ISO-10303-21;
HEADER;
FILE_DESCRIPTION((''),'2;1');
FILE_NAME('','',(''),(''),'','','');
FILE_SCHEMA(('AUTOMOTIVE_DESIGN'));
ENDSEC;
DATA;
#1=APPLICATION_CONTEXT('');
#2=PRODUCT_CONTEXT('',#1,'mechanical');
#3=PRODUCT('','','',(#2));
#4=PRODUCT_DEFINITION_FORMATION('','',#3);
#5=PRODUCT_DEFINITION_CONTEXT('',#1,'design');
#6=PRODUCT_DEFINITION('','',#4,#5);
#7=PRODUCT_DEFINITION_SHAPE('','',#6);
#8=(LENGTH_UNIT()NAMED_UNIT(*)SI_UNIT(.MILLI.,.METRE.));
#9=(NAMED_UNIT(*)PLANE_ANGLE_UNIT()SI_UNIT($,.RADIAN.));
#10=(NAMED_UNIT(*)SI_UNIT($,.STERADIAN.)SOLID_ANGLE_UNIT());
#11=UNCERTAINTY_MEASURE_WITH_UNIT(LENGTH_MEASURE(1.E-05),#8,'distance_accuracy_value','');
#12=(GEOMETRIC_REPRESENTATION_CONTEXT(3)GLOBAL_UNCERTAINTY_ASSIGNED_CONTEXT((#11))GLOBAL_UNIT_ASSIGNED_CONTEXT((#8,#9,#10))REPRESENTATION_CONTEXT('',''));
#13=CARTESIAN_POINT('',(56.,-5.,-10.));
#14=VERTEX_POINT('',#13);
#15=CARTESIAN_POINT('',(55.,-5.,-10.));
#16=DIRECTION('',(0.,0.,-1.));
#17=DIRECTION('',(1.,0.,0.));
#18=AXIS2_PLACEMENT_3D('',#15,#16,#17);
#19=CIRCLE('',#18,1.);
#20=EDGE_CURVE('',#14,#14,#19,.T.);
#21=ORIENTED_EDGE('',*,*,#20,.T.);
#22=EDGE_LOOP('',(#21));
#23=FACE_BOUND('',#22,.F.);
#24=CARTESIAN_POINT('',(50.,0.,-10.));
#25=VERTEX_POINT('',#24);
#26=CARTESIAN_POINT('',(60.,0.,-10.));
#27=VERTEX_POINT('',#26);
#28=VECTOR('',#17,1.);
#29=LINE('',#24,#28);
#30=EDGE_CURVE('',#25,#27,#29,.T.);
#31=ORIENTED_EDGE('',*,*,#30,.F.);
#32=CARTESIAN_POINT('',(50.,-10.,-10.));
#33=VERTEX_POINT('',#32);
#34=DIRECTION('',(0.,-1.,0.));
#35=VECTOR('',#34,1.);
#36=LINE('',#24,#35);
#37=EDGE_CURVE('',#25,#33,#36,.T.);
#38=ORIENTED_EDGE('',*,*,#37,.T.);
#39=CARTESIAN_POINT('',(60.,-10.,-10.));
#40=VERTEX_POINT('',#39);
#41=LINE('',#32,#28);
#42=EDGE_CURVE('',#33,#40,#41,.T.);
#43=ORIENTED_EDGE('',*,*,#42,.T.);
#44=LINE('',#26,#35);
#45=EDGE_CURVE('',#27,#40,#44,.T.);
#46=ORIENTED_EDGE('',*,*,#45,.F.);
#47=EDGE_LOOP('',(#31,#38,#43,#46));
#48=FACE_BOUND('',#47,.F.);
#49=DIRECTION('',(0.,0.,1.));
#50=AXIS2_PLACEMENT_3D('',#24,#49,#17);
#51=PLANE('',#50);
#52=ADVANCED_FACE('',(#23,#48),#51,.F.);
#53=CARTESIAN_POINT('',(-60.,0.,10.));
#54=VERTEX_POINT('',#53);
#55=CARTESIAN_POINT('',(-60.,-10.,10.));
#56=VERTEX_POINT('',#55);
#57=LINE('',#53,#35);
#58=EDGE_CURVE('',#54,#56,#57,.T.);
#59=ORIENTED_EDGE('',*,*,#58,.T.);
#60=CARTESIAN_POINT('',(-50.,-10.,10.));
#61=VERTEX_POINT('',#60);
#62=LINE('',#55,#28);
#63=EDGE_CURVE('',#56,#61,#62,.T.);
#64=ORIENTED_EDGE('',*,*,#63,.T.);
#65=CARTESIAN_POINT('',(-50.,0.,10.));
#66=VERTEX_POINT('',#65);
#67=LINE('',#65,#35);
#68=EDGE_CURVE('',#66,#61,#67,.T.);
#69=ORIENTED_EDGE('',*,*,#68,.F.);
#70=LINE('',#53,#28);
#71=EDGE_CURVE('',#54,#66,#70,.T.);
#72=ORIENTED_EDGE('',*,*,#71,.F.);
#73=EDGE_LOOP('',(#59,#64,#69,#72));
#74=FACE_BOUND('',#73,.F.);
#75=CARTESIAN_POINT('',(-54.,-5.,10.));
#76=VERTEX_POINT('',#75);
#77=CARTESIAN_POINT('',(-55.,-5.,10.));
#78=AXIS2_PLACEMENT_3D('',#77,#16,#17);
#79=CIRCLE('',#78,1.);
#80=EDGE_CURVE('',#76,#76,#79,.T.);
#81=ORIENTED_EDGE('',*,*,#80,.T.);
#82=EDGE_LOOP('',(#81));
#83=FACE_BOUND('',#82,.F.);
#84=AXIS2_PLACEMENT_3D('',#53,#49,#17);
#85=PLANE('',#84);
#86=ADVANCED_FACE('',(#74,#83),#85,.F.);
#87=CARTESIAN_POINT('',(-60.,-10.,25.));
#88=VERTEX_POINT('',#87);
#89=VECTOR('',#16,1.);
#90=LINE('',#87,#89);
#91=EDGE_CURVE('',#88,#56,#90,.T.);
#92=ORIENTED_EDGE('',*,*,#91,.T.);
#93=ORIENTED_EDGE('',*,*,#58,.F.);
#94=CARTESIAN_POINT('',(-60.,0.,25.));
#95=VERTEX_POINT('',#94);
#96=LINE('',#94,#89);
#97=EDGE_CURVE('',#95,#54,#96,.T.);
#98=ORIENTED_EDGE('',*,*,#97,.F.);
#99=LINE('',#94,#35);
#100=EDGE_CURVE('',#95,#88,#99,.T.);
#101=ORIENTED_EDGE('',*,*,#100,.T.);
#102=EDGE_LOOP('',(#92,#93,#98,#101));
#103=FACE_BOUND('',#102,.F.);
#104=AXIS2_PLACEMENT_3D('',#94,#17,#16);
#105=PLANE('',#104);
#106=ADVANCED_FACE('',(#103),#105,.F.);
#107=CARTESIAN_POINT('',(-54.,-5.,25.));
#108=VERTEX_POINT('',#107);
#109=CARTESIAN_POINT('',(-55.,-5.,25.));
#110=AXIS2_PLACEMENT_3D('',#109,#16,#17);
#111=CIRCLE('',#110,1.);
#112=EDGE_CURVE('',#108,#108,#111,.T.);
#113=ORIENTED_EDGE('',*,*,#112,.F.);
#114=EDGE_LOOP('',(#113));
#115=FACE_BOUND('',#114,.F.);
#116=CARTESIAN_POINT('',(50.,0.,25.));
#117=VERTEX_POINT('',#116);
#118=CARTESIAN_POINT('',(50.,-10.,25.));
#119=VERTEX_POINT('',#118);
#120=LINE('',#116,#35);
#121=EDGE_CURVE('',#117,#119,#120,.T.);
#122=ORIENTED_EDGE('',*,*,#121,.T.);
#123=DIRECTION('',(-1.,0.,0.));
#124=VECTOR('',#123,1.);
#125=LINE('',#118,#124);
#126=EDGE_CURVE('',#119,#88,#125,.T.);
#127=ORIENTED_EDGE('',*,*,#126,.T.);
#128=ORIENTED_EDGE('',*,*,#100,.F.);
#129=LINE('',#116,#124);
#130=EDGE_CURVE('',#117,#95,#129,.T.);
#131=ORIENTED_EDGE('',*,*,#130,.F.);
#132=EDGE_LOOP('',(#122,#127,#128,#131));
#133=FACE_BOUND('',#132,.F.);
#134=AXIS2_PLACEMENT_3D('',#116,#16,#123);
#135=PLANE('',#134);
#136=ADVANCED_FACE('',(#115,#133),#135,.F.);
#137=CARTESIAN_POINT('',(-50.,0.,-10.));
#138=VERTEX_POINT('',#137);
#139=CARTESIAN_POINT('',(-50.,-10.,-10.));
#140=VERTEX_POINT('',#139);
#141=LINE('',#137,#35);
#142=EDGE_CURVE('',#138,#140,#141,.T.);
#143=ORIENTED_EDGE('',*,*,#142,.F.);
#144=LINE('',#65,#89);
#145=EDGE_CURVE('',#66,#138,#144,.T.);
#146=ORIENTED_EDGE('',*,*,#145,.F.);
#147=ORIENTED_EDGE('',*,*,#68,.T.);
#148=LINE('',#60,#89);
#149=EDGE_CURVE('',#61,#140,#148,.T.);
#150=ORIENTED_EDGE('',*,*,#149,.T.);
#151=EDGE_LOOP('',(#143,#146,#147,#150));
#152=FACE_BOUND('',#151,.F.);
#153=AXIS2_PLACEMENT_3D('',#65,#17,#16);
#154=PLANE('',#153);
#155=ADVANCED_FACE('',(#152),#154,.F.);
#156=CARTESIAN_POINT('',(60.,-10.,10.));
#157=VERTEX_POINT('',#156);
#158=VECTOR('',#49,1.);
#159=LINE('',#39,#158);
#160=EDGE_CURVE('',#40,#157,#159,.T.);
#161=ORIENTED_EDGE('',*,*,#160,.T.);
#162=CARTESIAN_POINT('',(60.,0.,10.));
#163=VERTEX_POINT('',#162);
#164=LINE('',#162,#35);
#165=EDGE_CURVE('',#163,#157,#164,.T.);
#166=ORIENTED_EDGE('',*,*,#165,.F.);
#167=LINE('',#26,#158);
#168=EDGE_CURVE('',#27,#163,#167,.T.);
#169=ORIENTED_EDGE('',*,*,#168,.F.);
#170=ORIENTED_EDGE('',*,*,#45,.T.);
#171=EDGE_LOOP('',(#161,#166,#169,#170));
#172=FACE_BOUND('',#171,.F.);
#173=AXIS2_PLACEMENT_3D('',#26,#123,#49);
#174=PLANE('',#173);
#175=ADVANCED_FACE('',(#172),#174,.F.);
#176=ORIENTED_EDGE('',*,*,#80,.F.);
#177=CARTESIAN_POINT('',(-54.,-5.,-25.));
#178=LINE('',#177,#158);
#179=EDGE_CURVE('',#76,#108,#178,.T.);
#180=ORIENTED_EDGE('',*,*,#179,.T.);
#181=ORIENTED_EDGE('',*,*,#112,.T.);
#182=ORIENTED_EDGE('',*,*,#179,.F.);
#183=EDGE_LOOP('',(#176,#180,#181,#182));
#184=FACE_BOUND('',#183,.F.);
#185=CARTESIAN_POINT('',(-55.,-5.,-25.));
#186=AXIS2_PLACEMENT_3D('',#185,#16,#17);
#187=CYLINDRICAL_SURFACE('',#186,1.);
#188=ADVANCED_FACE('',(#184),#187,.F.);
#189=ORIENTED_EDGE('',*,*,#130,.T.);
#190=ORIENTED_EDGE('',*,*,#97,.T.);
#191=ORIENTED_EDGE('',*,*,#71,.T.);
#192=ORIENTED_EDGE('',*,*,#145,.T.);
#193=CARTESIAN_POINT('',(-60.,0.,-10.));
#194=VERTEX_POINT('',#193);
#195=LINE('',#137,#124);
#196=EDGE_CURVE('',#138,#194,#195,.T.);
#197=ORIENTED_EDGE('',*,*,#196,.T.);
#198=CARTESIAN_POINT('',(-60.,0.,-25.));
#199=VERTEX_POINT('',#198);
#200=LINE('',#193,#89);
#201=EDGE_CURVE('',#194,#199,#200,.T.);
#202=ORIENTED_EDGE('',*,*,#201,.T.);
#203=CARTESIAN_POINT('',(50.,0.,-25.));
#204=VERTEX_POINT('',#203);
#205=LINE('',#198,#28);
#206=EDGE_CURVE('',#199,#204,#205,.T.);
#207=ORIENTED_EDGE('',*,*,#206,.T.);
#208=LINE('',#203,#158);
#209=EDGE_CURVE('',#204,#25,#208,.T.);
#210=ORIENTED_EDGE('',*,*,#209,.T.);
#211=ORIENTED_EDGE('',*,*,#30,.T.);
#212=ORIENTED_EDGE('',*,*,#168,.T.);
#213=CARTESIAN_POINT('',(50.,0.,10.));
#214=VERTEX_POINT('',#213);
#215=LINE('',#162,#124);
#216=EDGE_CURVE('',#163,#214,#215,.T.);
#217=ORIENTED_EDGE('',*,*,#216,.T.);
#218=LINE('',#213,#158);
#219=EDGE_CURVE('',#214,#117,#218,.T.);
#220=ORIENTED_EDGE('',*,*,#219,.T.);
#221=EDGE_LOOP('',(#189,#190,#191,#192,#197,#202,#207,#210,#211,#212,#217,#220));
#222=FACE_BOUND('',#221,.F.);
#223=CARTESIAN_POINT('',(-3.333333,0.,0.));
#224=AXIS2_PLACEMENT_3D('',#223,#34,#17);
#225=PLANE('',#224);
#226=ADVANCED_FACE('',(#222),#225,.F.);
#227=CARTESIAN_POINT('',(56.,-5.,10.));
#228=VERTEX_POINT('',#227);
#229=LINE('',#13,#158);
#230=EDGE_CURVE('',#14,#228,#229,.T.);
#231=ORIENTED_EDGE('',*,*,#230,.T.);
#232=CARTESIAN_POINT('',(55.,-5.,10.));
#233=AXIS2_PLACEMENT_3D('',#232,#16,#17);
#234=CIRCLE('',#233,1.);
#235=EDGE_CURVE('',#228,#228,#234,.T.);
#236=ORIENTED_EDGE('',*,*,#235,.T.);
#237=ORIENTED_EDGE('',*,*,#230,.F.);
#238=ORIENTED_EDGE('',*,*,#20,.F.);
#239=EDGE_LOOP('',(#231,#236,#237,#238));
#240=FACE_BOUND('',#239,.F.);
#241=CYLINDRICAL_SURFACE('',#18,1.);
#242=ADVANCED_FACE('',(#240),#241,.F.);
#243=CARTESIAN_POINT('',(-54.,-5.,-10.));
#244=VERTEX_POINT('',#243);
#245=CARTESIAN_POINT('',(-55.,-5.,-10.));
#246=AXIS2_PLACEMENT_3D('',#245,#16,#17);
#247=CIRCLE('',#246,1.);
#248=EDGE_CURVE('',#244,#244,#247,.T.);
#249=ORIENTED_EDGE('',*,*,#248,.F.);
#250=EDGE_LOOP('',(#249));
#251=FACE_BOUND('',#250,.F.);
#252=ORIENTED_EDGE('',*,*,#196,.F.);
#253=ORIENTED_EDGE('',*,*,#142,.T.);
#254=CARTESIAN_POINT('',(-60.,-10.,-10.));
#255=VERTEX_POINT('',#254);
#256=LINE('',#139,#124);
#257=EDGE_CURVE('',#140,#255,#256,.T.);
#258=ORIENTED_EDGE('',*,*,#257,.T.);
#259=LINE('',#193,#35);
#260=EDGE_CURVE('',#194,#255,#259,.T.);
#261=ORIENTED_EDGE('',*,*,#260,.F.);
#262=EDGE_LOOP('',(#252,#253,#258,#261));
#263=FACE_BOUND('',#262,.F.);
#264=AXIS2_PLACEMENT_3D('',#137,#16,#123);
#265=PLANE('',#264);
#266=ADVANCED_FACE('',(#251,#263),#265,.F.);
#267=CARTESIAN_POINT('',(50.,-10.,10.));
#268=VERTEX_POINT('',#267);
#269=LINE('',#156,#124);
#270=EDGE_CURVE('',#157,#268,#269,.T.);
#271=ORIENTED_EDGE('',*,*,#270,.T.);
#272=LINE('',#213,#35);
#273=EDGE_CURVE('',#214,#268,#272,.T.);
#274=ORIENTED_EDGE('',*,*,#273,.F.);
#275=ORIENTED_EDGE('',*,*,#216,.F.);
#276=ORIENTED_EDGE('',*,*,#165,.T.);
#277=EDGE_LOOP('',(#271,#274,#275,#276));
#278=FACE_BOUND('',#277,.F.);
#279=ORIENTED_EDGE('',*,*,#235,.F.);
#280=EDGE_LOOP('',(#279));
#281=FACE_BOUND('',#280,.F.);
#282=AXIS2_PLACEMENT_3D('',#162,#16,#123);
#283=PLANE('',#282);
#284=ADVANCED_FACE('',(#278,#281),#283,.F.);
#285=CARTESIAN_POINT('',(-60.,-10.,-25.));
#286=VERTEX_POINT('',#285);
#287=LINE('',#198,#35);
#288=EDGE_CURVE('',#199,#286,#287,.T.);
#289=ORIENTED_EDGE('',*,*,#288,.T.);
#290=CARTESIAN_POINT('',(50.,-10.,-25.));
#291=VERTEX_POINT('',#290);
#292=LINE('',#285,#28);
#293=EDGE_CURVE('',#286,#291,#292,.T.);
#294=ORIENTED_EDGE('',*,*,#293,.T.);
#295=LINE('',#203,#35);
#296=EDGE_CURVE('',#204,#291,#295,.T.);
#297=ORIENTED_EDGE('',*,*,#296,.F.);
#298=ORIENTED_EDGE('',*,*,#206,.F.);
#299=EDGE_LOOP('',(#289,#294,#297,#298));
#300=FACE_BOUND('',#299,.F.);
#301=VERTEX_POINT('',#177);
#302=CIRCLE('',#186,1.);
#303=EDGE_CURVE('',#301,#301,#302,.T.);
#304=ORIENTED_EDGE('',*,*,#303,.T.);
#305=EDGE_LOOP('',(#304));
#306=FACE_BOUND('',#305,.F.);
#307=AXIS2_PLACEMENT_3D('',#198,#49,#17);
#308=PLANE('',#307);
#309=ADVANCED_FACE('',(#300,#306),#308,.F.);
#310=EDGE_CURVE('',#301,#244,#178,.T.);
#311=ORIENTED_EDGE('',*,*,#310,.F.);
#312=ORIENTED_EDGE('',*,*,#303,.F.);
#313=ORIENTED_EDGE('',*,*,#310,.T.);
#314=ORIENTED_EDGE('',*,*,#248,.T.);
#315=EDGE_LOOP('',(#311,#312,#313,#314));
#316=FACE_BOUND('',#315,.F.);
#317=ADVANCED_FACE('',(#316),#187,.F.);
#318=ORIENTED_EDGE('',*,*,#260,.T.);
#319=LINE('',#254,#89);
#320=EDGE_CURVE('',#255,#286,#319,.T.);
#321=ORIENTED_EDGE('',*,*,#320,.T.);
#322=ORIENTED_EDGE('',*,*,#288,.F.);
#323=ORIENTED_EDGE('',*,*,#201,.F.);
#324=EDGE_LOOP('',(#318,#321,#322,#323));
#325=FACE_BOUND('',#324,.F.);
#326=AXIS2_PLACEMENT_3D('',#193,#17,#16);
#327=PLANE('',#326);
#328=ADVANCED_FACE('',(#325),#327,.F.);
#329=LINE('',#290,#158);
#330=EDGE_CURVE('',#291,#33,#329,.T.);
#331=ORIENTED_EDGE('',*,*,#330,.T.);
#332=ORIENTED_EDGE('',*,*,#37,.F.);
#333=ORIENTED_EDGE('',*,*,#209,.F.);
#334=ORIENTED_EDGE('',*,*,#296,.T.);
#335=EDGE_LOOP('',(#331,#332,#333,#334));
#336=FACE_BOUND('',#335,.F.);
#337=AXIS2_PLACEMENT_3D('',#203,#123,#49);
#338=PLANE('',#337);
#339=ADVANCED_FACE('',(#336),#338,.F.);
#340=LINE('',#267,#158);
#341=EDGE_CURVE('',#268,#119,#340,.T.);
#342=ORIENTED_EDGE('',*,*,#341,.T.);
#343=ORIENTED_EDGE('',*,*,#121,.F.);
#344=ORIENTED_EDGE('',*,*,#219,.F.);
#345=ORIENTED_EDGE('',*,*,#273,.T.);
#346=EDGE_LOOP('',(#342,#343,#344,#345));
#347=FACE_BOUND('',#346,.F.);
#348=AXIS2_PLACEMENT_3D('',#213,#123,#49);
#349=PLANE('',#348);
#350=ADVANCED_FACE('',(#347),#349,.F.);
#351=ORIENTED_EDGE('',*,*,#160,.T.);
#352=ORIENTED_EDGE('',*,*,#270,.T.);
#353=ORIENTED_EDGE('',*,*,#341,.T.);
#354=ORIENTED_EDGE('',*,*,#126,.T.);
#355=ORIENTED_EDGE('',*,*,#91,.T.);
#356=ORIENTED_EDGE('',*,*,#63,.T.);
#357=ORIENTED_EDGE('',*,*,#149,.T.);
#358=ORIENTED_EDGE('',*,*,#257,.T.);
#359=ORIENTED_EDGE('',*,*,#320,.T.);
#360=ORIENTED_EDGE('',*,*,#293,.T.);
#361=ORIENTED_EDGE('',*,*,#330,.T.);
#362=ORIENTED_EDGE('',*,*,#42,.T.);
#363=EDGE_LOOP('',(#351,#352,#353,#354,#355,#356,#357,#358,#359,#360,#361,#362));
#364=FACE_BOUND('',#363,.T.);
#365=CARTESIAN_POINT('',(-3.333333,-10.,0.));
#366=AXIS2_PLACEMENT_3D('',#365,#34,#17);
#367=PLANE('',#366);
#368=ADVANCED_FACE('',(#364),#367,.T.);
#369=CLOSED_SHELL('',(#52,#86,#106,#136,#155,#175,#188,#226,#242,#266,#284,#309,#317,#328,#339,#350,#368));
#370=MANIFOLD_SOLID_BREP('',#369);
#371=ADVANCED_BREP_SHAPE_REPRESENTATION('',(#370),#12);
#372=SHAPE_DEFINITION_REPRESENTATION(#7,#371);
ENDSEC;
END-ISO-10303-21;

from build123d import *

# Parameters (mm, degrees)
F1_DEPTH = 10
F2_R     = 1
F3_DEPTH = 52.9
F4_R     = 1
F5_DEPTH = 41.9


with BuildPart() as f1:
    # F0 (on Front) → F1 (new body)
    with BuildSketch(Plane.XZ):
        Polygon((-60, -10), (-60, -25), (50, -25), (50, -10), (60, -10), (60, 10), (50, 10), (50, 25), (-60, 25), (-60, 10), (-50, 10), (-50, -10), align=None)
    extrude(amount=F1_DEPTH)

    # F2 (on face) → F3 (cut)
    with BuildSketch(Plane(origin=(0, 0, -25), x_dir=(1, 0, 0), z_dir=(0, 0, -1))):
        with Locations((-55, 5)):
            Circle(F2_R)
    extrude(amount=-F3_DEPTH, mode=Mode.SUBTRACT)

    # F4 (on face) → F5 (cut)
    with BuildSketch(Plane(origin=(0, 0, -10), x_dir=(1, 0, 0), z_dir=(0, 0, -1))):
        with Locations((55, 5)):
            Circle(F4_R)
    extrude(amount=-F5_DEPTH, mode=Mode.SUBTRACT)


solid = f1.part
